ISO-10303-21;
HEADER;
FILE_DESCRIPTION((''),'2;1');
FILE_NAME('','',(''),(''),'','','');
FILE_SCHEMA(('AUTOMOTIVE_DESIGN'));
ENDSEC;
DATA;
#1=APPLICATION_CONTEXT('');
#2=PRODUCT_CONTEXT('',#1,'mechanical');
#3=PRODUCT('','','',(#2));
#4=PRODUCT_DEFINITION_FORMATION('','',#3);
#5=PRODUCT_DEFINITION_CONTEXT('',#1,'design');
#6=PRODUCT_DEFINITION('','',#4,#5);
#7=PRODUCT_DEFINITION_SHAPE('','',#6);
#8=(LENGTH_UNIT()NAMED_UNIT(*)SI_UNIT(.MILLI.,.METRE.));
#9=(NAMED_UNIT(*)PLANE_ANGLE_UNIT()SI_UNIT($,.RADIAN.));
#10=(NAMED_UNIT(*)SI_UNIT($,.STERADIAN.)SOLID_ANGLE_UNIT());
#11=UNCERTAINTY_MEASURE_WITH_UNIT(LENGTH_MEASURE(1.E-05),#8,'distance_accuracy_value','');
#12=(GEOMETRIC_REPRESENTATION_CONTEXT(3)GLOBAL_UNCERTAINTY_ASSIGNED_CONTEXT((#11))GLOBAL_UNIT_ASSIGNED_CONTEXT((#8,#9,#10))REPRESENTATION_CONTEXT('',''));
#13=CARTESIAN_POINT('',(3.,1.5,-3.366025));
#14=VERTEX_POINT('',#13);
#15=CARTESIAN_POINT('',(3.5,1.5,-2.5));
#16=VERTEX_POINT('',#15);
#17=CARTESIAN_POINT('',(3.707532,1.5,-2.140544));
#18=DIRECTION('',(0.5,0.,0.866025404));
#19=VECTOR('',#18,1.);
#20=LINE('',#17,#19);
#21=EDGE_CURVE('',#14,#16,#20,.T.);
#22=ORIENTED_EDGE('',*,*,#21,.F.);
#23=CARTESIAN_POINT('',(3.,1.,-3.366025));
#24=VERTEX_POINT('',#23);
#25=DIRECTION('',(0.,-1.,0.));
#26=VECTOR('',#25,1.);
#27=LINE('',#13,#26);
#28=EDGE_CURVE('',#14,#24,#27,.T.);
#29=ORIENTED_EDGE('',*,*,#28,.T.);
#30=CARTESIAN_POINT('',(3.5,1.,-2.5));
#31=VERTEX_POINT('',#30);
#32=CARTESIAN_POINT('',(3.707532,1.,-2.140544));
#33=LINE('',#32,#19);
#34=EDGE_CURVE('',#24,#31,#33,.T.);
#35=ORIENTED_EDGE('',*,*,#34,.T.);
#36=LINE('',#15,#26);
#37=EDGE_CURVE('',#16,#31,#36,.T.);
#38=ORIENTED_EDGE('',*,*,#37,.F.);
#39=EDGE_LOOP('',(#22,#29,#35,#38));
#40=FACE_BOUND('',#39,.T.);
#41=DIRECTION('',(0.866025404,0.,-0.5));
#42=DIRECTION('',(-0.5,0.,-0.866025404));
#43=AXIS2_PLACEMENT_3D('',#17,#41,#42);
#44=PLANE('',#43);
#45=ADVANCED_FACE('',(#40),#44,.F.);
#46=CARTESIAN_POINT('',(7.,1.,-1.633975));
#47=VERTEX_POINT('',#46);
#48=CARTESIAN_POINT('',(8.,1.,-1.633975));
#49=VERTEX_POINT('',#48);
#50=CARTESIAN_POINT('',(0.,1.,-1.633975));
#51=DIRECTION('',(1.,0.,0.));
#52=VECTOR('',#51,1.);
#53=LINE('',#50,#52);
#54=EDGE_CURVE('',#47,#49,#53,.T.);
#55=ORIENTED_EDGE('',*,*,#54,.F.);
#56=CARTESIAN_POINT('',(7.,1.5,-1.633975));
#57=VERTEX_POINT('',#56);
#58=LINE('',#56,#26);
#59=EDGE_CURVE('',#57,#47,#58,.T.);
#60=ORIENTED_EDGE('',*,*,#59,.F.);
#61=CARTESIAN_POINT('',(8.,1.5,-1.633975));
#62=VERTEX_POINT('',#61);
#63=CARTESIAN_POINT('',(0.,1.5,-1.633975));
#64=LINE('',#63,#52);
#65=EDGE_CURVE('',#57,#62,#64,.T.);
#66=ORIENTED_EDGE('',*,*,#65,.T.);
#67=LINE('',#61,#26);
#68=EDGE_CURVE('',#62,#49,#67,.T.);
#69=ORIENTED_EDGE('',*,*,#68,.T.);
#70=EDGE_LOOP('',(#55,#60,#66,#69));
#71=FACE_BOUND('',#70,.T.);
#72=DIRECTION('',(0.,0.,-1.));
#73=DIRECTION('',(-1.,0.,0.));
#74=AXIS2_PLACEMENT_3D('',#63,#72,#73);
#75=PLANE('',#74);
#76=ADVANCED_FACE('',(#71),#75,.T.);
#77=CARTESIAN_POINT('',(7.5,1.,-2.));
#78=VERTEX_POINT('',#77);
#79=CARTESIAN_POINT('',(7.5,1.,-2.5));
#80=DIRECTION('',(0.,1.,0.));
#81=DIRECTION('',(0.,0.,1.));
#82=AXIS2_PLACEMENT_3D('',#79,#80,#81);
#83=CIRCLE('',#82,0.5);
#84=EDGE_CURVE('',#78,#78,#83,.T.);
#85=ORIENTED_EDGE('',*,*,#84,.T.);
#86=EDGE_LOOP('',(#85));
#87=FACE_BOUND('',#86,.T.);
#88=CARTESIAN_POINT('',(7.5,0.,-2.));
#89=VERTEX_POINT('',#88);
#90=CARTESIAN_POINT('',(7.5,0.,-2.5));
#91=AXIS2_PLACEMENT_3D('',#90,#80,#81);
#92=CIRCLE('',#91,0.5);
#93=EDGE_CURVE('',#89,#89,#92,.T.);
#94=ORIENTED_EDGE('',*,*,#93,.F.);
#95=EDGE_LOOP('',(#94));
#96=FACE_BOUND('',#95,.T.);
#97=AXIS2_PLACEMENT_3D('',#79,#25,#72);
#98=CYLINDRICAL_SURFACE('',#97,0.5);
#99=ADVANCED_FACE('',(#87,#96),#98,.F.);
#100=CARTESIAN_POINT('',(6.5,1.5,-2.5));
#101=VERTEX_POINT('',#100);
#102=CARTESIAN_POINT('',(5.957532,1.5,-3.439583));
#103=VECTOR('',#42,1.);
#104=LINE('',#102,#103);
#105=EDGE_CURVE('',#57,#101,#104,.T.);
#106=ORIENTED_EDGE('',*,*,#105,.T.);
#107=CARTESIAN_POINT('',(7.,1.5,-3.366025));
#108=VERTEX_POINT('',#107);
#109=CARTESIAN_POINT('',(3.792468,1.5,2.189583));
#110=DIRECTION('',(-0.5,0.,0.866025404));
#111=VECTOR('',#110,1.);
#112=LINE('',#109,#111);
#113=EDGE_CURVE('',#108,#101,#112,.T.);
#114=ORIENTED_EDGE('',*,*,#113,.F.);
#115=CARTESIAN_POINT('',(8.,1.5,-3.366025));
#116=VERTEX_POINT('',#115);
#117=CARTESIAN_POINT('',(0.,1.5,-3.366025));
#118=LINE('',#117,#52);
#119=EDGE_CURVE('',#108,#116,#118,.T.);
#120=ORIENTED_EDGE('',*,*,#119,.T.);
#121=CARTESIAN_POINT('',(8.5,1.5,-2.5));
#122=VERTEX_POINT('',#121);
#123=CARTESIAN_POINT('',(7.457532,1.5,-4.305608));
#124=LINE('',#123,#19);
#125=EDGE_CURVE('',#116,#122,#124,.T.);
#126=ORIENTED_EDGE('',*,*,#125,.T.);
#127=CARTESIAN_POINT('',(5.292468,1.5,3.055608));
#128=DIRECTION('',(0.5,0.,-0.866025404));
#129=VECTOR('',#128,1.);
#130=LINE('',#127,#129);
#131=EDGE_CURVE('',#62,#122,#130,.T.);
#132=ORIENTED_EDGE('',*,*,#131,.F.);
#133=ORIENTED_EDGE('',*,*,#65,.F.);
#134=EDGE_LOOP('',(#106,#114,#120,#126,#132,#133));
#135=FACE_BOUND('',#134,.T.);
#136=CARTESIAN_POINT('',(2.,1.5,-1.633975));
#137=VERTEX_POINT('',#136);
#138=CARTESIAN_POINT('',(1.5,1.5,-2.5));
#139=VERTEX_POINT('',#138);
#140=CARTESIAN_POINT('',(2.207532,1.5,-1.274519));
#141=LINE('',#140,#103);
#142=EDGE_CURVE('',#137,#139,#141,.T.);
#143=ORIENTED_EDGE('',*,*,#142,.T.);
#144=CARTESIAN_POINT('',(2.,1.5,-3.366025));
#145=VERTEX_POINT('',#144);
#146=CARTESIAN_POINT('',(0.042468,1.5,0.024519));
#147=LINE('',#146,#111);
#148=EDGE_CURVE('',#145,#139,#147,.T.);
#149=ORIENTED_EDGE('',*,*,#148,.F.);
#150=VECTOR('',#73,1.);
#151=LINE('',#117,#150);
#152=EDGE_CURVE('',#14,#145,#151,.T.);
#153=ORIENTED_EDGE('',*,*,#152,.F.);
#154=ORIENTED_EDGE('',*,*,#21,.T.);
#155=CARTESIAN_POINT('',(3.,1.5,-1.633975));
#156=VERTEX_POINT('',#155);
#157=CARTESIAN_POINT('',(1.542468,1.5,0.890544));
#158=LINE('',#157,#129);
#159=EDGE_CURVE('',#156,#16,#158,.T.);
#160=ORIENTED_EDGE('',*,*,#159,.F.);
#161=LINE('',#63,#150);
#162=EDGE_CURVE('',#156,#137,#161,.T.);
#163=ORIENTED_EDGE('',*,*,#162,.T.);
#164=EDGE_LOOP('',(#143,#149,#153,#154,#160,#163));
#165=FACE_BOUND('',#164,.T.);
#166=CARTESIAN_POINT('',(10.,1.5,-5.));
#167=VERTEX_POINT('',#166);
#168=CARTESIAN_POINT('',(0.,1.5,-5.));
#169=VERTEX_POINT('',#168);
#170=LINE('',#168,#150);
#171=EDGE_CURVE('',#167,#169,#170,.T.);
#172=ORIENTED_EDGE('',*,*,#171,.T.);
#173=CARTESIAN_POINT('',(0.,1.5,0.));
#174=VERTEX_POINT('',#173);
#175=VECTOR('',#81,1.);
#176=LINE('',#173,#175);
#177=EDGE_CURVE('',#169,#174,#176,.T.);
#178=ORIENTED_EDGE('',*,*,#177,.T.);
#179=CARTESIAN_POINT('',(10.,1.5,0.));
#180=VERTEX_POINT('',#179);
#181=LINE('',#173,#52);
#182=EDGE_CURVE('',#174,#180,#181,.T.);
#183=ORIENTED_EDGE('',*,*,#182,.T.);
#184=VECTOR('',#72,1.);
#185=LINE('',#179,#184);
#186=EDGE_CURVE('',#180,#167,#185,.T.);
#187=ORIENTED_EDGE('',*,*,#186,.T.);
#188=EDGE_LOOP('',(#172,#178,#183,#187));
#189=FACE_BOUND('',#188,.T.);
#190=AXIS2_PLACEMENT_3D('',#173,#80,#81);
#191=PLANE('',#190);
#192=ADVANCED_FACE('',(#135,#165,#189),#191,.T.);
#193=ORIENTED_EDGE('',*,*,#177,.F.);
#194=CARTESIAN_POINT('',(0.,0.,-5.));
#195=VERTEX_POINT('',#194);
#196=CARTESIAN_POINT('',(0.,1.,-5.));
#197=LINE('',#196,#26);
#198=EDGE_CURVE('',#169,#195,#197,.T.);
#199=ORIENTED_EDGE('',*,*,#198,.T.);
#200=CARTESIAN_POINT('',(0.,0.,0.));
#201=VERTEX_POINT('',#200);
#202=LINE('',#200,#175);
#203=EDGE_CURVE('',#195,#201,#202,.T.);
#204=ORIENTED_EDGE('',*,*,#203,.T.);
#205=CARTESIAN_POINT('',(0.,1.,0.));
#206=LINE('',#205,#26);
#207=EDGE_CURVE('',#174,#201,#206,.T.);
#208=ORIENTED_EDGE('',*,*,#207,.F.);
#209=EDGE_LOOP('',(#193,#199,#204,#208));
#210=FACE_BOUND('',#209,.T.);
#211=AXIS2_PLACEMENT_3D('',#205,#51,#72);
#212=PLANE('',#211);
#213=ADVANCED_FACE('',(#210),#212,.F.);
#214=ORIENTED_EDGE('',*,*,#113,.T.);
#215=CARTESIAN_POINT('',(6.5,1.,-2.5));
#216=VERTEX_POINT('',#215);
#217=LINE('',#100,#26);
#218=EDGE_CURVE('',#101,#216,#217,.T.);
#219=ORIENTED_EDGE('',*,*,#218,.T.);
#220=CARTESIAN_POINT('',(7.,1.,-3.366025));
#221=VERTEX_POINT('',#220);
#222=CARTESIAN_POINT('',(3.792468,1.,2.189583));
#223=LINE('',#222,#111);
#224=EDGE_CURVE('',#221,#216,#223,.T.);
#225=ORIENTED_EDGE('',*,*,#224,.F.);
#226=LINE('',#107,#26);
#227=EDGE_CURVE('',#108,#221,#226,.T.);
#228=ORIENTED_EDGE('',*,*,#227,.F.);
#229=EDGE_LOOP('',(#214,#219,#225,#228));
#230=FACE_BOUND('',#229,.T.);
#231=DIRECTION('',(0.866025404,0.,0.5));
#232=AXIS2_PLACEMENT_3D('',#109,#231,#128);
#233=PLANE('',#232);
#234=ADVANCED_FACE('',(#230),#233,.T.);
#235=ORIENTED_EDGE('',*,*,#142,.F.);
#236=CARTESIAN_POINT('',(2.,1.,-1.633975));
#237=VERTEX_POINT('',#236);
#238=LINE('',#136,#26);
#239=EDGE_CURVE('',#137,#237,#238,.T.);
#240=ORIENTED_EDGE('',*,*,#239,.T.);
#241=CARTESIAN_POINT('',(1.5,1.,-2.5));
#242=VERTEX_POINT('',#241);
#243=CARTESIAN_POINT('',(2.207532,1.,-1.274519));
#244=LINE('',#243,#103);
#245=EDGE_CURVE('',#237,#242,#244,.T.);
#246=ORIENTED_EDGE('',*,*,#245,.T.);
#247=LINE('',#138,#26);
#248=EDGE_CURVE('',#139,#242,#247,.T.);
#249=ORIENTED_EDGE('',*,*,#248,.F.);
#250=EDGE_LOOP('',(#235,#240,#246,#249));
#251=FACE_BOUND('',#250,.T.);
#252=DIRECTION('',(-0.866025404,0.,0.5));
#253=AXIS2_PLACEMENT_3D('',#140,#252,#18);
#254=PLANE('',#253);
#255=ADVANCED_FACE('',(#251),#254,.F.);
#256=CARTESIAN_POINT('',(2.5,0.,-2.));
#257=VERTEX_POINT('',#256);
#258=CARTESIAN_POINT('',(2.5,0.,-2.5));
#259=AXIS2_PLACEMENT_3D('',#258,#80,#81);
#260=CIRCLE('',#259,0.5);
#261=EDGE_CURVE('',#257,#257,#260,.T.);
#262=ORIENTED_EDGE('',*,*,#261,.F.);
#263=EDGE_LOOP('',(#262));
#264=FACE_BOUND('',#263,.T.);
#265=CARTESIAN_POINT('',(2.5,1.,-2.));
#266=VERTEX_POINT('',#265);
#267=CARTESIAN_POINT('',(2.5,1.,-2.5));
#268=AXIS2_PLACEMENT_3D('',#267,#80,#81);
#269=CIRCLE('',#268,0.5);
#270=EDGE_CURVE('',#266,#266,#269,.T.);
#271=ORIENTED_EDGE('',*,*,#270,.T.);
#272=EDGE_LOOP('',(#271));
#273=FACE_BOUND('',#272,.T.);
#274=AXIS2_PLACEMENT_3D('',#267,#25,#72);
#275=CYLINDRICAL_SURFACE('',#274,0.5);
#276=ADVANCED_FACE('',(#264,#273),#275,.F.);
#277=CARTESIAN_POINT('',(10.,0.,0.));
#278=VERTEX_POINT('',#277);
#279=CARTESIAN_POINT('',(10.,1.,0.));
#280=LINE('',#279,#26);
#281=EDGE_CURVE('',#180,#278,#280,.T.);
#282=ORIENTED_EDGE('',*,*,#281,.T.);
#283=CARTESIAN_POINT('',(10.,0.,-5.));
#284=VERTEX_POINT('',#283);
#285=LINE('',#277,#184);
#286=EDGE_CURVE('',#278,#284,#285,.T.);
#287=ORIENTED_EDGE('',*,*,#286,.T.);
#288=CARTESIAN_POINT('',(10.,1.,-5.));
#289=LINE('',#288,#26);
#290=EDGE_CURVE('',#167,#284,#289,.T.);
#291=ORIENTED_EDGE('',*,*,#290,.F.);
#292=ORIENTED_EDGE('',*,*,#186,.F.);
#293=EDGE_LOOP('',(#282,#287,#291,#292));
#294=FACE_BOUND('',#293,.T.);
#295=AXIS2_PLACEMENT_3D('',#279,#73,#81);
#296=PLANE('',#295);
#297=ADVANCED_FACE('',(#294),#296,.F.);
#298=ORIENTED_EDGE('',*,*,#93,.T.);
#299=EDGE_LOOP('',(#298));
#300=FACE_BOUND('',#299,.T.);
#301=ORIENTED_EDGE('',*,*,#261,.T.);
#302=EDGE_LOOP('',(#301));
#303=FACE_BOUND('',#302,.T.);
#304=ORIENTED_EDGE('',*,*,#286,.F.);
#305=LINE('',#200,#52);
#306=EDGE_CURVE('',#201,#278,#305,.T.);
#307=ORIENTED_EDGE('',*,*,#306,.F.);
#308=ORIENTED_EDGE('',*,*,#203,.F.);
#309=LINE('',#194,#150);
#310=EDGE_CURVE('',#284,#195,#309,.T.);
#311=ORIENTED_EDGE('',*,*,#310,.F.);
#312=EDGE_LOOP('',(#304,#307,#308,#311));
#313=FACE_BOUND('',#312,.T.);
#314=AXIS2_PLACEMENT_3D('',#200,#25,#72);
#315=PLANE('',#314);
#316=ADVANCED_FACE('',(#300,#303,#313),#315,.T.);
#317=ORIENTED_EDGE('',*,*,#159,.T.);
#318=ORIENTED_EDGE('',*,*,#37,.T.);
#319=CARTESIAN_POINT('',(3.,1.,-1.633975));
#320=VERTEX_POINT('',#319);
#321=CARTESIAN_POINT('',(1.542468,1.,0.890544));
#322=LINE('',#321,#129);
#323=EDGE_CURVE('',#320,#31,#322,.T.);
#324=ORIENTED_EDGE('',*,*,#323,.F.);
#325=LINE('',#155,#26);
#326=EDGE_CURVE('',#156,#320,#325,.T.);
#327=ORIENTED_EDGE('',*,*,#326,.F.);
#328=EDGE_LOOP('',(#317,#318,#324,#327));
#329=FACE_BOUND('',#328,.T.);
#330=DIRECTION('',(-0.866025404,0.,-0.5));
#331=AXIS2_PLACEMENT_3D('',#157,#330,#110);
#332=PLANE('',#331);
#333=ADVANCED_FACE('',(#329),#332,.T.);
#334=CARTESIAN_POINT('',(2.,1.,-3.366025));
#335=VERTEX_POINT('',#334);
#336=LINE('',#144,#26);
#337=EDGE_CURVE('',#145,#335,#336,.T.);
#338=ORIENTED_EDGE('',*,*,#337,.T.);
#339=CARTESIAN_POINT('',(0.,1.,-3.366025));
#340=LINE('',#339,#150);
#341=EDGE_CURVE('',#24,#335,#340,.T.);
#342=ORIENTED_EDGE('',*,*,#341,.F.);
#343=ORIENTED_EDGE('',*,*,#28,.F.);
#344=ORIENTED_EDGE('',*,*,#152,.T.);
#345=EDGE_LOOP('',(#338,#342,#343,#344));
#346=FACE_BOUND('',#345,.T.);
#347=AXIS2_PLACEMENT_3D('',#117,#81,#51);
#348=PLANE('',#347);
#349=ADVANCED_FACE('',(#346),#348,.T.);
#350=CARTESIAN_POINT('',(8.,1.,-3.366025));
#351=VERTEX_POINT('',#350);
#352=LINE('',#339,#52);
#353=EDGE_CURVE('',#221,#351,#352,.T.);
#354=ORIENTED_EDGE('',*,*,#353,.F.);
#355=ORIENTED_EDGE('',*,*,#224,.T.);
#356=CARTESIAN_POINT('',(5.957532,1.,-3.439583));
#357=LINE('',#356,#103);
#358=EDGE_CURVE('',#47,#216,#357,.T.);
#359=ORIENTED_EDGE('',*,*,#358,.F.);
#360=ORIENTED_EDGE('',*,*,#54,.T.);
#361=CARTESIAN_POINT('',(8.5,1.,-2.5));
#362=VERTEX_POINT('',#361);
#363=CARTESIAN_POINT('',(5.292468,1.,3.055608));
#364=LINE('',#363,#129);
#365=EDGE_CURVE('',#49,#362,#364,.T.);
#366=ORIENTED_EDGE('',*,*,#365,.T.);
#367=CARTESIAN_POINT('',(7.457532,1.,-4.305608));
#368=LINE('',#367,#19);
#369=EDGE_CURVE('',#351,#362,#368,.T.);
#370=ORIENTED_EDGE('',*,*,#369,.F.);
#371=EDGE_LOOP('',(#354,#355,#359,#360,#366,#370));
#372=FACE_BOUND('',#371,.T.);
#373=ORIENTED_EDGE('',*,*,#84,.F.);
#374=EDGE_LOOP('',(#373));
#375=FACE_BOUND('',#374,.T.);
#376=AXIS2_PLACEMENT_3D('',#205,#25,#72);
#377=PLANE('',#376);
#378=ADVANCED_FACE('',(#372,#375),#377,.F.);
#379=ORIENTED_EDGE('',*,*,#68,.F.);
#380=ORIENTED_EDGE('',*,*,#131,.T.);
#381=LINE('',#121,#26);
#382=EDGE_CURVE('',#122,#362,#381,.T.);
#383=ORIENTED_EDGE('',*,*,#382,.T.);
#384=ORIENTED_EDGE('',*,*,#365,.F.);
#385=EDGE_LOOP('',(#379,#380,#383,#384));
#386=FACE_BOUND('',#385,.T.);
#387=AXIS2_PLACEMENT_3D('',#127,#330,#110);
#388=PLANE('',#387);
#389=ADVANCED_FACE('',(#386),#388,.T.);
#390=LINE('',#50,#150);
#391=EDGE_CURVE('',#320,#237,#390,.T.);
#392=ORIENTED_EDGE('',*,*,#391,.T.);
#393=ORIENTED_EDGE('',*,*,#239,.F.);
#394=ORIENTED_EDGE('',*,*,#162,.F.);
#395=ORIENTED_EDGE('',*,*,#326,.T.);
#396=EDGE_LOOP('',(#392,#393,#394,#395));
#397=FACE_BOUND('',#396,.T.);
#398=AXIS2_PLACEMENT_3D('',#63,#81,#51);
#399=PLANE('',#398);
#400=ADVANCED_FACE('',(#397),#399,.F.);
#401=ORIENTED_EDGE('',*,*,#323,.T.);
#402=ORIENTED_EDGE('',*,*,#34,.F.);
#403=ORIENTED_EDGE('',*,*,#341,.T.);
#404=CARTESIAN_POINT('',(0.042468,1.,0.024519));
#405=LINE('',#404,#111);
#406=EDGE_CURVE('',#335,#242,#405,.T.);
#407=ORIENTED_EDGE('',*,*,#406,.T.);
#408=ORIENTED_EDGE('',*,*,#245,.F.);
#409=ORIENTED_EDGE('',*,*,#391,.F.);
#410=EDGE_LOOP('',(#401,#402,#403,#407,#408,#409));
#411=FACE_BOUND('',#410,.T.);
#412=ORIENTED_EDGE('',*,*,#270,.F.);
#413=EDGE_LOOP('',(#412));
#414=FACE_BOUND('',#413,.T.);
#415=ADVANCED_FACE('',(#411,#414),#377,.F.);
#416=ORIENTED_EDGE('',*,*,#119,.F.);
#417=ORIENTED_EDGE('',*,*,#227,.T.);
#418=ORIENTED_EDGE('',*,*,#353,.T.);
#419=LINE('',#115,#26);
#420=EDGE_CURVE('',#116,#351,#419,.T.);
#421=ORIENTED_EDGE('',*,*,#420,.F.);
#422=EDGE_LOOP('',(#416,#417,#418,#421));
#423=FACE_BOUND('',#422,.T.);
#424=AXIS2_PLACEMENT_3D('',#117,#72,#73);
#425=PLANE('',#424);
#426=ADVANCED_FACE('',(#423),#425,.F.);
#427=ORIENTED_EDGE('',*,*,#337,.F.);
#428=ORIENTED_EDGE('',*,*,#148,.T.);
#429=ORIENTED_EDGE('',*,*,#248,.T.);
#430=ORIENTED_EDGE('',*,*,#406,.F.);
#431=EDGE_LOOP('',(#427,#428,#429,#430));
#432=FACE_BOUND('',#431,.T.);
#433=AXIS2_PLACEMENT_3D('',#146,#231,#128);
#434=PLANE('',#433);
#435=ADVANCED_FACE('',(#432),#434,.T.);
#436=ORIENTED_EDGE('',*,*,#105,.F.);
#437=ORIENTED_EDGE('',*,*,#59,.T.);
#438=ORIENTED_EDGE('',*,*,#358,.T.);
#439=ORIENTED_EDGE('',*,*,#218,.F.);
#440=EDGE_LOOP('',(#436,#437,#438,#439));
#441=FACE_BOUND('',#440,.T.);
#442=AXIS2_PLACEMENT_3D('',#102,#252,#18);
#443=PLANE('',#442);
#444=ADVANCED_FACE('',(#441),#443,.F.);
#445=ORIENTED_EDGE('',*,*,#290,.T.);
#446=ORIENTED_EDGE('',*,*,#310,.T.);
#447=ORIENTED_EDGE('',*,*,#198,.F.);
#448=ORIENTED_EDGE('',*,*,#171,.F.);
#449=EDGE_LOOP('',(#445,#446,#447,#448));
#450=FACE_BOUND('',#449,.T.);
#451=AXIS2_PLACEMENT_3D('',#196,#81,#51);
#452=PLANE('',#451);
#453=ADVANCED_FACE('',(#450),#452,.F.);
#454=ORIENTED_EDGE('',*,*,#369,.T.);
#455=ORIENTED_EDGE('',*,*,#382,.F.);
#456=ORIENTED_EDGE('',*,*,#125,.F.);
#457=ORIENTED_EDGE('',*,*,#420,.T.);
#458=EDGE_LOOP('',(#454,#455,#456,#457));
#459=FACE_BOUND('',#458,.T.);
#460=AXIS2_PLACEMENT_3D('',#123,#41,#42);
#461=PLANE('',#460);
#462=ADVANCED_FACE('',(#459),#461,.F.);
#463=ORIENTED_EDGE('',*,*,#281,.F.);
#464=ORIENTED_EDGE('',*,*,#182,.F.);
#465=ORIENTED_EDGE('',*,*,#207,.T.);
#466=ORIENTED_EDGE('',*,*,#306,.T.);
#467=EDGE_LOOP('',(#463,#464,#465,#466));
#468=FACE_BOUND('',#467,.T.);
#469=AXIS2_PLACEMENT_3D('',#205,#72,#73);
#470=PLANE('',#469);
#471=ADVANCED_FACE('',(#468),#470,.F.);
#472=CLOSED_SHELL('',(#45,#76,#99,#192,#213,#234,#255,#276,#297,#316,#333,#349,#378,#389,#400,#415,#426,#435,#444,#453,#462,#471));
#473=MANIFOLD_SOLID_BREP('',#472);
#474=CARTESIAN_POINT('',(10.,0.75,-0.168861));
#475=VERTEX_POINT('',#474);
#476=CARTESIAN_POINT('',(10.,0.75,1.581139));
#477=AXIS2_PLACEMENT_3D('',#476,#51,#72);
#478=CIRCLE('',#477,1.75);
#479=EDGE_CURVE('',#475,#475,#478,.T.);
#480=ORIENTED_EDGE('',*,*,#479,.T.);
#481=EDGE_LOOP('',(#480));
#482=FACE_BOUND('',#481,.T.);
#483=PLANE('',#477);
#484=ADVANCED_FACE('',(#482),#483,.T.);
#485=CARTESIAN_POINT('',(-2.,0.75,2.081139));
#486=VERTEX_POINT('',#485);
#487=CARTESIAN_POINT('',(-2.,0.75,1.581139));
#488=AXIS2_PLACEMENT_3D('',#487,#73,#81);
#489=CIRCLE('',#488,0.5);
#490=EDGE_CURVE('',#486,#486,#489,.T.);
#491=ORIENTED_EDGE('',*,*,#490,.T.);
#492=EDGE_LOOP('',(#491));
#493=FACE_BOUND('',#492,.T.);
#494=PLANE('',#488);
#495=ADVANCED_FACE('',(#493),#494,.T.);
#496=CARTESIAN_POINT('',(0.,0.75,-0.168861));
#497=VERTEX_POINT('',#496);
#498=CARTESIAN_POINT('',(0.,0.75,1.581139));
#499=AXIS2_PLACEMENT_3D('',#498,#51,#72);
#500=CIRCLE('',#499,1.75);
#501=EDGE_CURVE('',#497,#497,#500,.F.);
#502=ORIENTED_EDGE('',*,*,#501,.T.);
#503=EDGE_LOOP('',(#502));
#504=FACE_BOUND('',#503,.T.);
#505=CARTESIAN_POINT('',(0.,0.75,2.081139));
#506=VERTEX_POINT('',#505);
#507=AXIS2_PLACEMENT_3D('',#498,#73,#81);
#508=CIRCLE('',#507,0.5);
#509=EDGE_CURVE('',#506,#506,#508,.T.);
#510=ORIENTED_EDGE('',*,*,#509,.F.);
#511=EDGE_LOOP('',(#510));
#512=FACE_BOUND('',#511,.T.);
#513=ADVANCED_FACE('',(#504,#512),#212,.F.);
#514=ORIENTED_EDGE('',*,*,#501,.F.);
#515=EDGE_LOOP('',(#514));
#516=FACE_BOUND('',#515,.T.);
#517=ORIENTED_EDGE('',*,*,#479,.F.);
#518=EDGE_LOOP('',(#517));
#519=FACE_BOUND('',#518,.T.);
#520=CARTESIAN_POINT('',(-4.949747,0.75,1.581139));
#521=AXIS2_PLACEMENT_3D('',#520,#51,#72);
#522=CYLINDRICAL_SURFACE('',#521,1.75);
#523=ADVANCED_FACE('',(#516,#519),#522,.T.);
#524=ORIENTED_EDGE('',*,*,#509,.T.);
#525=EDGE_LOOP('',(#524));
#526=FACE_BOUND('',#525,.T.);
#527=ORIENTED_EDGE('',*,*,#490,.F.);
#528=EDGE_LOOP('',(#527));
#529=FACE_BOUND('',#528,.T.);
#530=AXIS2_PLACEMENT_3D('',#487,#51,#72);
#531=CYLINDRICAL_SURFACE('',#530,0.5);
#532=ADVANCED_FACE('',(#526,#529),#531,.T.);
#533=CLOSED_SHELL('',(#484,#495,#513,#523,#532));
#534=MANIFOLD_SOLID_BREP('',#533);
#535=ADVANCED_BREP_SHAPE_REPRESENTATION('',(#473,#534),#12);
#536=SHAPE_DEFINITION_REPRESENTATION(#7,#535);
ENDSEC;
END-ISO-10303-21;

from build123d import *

# Parameters (mm, degrees)
SKETCH_1_W      = 10
SKETCH_1_H      = 5
SKETCH_1_R      = 0.5
EXTRUDE_1_DEPTH = 1
SKETCH_2_W      = 10
SKETCH_2_H      = 5
EXTRUDE_2_DEPTH = 0.5
SKETCH_3_R      = 1.75
EXTRUDE_3_DEPTH = 10
SKETCH_5_R      = 0.5
EXTRUDE_4_DEPTH = 2


with BuildPart() as part:
    # 草图1 → 凸台-拉伸1 (new body)
    with BuildSketch(Plane(origin=(0, 0, 0), x_dir=(1, 0, 0), z_dir=(0, 1, 0))):
        with Locations((5, 2.5)):
            Rectangle(SKETCH_1_W, SKETCH_1_H)
        with Locations(Location((2.5, 2.5, 0), (0, 0, 270))):
            Circle(SKETCH_1_R, mode=Mode.SUBTRACT)
        with Locations(Location((7.5, 2.5, 0), (0, 0, 270))):
            Circle(SKETCH_1_R, mode=Mode.SUBTRACT)
    extrude(amount=EXTRUDE_1_DEPTH)

    # 草图2 → 凸台-拉伸2 (add)
    with BuildSketch(Plane(origin=(0, 1, 0), x_dir=(1, 0, 0), z_dir=(0, 1, 0))):
        with Locations((5, 2.5)):
            Rectangle(SKETCH_2_W, SKETCH_2_H)
        Polygon((3, 1.633974596), (2, 1.633974596), (1.5, 2.5), (2, 3.366025404), (3, 3.366025404), (3.5, 2.5), align=None, mode=Mode.SUBTRACT)
        Polygon((7, 3.366025404), (6.5, 2.5), (7, 1.633974596), (8, 1.633974596), (8.5, 2.5), (8, 3.366025404), align=None, mode=Mode.SUBTRACT)
    extrude(amount=EXTRUDE_2_DEPTH)


with BuildPart() as body_2:
    # 草图3 → 凸台-拉伸3 (new body)
    with BuildSketch(Plane(origin=(10, 0, 0), x_dir=(0, 0, -1), z_dir=(1, 0, 0))):
        with Locations((-1.58113883, 0.75)):
            Circle(SKETCH_3_R)
    extrude(amount=-EXTRUDE_3_DEPTH)

    # 草图5 → 凸台-拉伸4 (add)
    with BuildSketch(Plane.ZY):
        with Locations((1.58113883, 0.75)):
            Circle(SKETCH_5_R)
    extrude(amount=EXTRUDE_4_DEPTH)


solid = Compound([part.part, body_2.part])
